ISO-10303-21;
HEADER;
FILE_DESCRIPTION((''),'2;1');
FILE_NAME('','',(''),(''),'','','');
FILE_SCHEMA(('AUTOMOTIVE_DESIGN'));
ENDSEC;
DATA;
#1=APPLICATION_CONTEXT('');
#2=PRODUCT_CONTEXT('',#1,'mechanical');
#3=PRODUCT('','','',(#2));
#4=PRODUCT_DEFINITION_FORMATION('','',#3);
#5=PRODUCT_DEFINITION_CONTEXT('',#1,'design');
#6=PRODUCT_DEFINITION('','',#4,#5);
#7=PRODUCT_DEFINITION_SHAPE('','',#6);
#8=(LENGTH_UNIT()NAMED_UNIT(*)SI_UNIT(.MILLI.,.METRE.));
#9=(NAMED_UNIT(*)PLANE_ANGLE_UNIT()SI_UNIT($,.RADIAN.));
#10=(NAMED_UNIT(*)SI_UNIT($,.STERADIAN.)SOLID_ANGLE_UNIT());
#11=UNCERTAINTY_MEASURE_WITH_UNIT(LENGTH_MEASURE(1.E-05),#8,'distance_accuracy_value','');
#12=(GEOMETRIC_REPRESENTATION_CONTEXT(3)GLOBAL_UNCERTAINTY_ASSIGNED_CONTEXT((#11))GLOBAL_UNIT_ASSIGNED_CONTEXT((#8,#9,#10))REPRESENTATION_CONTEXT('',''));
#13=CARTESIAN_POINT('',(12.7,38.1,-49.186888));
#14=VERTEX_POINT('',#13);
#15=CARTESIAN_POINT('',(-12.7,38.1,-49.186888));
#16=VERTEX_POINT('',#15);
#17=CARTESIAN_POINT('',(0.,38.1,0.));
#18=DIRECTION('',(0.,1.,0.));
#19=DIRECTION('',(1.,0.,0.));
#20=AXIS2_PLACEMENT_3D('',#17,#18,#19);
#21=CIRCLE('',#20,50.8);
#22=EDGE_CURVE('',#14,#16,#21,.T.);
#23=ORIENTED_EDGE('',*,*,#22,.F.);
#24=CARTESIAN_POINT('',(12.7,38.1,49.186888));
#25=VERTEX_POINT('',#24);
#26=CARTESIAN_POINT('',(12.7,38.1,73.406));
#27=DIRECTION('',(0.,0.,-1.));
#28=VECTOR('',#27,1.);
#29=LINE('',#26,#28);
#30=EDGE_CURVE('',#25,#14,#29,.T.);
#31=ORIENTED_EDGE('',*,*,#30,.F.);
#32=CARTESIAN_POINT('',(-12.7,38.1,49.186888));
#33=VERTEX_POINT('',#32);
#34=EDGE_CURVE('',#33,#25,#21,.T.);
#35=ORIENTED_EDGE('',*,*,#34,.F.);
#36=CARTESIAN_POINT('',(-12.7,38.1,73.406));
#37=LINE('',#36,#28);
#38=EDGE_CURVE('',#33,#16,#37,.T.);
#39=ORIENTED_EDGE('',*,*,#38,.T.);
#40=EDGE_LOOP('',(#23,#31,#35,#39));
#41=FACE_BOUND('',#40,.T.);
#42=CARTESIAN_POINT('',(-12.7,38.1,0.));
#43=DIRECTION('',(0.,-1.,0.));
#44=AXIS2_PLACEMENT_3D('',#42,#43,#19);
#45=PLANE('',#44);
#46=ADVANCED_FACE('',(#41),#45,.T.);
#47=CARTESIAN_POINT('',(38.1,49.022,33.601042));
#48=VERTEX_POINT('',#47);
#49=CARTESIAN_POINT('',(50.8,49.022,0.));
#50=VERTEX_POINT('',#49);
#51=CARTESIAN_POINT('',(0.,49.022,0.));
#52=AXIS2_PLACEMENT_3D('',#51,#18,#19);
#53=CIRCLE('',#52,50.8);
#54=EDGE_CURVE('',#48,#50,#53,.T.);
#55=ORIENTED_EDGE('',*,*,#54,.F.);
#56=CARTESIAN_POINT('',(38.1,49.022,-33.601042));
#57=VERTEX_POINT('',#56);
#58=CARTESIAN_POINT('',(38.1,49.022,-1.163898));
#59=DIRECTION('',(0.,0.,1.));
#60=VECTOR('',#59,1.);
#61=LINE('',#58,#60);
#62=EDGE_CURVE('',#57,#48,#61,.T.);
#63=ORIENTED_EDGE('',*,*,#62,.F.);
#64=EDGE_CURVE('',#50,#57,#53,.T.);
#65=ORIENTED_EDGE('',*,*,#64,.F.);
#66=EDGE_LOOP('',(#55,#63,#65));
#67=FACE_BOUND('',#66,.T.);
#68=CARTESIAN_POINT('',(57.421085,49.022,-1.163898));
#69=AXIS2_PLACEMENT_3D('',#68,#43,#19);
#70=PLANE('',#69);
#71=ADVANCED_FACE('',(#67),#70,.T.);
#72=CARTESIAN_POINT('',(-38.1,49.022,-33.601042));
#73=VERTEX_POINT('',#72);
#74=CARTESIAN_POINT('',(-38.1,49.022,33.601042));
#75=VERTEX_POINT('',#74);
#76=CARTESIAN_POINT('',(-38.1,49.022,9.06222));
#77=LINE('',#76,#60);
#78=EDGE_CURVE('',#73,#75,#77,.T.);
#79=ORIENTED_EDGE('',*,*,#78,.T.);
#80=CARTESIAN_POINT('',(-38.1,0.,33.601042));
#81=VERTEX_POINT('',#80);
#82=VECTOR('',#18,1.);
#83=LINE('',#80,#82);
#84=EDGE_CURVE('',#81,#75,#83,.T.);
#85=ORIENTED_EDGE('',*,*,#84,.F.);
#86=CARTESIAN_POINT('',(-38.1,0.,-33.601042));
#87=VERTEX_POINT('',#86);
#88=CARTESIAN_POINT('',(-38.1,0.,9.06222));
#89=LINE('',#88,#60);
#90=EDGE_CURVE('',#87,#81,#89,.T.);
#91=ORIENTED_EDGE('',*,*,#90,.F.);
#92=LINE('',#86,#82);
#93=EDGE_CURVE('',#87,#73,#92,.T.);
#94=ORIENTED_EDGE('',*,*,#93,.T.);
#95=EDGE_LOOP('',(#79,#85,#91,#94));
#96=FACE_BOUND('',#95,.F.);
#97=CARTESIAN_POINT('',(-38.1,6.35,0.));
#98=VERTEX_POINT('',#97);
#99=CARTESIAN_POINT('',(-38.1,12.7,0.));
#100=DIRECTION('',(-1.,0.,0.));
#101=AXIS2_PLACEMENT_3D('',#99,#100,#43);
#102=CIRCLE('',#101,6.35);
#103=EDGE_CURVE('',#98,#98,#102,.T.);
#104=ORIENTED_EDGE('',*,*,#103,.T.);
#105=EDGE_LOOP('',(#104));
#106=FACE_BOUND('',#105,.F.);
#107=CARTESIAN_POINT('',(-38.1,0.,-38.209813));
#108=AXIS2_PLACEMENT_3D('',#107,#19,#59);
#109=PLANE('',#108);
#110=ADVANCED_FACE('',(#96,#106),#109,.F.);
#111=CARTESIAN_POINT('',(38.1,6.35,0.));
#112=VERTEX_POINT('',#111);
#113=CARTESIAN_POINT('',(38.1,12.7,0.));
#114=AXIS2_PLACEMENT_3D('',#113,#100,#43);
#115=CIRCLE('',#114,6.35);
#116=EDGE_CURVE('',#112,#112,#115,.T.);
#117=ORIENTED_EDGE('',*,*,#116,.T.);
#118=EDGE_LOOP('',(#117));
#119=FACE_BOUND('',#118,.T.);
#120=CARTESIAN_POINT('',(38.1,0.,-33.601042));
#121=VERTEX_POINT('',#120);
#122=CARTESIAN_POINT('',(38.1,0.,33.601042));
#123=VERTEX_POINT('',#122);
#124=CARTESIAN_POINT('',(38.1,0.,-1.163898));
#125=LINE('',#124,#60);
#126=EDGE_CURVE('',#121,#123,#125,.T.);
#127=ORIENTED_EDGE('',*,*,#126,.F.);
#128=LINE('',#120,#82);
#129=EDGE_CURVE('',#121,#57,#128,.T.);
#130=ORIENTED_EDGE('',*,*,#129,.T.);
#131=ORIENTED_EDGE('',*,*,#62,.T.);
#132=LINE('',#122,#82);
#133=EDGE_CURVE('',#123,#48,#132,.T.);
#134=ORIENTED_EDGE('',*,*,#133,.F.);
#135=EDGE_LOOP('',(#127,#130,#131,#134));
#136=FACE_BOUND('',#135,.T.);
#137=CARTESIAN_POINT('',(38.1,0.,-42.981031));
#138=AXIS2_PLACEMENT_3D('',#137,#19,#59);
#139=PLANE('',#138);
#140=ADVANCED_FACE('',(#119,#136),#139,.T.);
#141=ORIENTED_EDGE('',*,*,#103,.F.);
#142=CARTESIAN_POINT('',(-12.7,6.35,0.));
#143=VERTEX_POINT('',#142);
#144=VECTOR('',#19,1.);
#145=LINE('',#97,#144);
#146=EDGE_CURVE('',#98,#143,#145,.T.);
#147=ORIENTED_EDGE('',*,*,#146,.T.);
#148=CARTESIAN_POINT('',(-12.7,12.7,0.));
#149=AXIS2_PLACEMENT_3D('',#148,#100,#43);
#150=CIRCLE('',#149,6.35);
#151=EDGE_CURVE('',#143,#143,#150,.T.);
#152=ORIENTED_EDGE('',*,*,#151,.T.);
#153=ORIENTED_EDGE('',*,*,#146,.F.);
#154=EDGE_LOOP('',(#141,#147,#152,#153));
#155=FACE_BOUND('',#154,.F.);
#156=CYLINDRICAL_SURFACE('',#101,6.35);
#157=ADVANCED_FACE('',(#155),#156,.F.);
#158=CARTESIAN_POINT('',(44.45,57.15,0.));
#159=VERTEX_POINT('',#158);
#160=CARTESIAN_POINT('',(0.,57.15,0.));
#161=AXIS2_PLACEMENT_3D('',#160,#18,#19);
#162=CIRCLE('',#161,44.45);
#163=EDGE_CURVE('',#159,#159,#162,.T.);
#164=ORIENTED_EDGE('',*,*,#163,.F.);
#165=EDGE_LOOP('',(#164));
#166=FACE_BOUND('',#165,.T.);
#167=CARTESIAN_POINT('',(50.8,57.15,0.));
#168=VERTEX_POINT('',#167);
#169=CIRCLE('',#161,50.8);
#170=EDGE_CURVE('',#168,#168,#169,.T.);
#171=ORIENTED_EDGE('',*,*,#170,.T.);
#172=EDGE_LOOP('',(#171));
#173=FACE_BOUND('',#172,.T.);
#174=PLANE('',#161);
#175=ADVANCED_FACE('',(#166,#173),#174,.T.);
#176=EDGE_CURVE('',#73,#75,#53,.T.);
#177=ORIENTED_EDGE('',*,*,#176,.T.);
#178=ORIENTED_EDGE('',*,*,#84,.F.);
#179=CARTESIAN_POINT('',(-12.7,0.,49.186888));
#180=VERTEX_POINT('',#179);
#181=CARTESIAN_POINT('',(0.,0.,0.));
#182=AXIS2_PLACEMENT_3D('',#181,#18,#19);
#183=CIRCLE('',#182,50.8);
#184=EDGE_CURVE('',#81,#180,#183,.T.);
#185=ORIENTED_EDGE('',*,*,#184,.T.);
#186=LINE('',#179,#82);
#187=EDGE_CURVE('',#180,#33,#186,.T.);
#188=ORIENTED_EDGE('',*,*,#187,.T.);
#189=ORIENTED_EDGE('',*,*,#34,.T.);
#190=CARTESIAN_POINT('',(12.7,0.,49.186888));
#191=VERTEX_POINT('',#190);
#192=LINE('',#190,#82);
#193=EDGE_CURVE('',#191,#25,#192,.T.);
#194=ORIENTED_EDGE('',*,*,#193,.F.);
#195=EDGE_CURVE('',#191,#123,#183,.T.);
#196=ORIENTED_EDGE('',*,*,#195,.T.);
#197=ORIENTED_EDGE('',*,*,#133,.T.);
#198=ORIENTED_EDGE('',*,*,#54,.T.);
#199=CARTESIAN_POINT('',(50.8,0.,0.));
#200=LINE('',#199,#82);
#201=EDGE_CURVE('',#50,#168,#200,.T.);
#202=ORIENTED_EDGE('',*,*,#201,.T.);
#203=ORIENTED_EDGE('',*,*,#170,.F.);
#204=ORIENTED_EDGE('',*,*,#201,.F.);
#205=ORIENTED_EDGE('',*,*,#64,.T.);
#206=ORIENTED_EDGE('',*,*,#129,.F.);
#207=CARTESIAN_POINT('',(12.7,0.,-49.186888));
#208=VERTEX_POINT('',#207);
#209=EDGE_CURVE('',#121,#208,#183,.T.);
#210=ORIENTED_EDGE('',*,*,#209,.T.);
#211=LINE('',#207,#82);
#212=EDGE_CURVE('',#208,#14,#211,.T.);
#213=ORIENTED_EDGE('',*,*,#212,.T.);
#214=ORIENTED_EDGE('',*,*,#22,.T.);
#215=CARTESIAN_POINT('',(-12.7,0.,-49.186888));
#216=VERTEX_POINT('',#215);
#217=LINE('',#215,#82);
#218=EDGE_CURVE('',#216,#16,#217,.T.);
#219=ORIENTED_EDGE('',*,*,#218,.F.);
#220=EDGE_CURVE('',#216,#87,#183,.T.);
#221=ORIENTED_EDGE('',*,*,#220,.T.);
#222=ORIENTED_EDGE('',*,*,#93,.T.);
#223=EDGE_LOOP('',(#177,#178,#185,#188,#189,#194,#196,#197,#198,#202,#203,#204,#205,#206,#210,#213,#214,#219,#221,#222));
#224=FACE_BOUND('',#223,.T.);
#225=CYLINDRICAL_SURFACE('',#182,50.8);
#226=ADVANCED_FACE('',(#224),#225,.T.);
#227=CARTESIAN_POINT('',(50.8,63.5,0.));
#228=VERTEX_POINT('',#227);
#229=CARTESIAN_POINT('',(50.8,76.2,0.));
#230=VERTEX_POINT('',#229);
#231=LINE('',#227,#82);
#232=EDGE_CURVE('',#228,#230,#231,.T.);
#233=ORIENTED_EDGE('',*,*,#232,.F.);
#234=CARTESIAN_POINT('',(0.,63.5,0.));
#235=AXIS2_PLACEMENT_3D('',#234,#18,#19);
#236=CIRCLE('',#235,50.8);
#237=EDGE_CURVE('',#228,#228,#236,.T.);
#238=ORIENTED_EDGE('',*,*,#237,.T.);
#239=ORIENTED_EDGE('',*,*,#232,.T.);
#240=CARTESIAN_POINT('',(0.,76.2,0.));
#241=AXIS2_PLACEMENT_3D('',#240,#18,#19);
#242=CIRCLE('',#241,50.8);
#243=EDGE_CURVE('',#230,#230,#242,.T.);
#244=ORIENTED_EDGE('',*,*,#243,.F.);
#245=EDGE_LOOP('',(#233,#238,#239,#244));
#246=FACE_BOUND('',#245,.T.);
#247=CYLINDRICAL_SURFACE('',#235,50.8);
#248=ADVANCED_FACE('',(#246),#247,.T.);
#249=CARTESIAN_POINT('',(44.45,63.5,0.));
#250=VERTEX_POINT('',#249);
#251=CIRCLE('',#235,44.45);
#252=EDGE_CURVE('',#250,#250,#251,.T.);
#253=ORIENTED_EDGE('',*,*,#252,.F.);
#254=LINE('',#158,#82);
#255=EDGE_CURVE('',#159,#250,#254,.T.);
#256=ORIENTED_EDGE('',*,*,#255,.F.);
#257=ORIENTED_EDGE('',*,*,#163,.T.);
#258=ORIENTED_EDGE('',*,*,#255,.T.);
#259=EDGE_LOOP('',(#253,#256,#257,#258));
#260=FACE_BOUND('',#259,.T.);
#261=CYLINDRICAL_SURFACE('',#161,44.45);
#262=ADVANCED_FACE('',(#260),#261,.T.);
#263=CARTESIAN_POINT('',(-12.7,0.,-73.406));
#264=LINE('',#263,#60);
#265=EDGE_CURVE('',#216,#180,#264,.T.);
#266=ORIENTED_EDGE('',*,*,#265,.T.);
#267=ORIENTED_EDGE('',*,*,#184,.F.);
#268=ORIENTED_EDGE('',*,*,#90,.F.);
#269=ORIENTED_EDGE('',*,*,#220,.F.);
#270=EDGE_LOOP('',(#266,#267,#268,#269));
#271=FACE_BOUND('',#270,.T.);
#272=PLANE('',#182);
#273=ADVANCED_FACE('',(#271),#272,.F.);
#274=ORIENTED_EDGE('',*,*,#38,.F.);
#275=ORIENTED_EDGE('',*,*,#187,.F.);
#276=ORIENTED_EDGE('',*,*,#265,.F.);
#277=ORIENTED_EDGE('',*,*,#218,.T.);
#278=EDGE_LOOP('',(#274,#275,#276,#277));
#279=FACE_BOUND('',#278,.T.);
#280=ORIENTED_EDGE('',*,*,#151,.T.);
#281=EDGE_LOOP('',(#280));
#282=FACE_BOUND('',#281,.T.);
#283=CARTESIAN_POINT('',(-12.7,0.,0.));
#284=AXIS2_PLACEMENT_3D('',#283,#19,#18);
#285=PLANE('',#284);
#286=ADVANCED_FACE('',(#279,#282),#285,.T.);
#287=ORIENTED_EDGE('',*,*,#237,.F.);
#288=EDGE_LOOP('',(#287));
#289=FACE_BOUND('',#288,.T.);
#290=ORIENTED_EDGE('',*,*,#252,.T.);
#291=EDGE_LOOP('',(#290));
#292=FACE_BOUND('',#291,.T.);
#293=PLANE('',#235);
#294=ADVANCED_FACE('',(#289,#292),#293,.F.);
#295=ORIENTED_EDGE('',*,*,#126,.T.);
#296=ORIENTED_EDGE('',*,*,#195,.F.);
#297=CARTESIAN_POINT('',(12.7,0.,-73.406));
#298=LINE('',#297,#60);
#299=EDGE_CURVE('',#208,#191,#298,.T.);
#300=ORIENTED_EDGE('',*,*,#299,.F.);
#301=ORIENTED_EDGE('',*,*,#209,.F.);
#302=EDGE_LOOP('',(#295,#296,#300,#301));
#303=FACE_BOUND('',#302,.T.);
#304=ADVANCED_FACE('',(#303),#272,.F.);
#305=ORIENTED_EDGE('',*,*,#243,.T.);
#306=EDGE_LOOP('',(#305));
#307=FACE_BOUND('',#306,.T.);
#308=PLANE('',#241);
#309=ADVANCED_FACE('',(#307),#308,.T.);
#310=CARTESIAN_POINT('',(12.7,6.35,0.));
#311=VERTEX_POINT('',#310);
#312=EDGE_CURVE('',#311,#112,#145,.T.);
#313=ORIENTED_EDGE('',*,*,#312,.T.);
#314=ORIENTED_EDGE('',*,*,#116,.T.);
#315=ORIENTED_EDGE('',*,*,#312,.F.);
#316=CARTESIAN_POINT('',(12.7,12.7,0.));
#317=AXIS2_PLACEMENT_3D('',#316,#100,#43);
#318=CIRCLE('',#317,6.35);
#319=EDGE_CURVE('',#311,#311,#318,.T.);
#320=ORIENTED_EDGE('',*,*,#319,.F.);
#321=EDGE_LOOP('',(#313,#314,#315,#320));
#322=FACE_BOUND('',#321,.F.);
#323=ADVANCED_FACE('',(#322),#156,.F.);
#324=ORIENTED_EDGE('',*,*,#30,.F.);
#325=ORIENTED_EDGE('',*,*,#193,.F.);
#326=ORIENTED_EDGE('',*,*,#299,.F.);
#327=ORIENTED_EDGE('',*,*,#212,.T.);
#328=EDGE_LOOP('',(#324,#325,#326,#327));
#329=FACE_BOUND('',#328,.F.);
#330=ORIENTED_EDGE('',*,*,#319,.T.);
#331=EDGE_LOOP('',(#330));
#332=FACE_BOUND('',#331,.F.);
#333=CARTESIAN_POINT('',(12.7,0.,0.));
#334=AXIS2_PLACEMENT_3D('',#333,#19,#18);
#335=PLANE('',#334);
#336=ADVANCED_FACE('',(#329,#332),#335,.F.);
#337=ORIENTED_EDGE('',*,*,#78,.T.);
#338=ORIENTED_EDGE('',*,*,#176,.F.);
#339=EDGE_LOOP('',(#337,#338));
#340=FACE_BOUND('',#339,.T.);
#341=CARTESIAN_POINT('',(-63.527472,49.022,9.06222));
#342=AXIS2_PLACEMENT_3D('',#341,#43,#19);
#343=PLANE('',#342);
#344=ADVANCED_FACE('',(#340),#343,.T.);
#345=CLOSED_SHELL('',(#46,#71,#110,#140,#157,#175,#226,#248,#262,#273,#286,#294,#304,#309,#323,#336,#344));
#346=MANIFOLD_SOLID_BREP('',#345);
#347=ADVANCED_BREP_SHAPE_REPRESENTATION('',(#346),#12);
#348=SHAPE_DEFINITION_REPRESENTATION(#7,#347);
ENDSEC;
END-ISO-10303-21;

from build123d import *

# Parameters (mm, degrees)
F2_W     = 25.4
F2_H     = 38.1
F3_DEPTH = 73.406
F4_W     = 50.8549439785
F4_H     = 94.5440666826
F4_W_2   = 38.6421700465
F4_H_2   = 83.6342661441
F5_DEPTH = 49.022
F6_R     = 6.35
F7_DEPTH = 140.462


with BuildPart() as f1:
    # F0 (on Top) → F1 (revolve)
    with BuildSketch(Plane.XY):
        Polygon((0, 76.2), (0, 0), (50.8, 0), (50.8, 57.15), (44.45, 57.15), (44.45, 63.5), (50.8, 63.5), (50.8, 76.2), align=None)
    revolve(axis=Axis((0, 40.4900377447, 0), (0, 1, 0)))

    # F2 (on Top) → F3 (cut, symmetric)
    with BuildSketch(Plane.XY):
        with Locations((0, 19.05)):
            Rectangle(F2_W, F2_H)
    extrude(amount=F3_DEPTH, both=True, mode=Mode.SUBTRACT)

    # F4 (on face) → F5 (cut)
    with BuildSketch(Plane.XZ):
        with Locations((-63.5274719893, 9.0622203734)):
            Rectangle(F4_W, F4_H)
        with Locations((57.4210850232, -1.1638980359)):
            Rectangle(F4_W_2, F4_H_2)
    extrude(amount=-F5_DEPTH, mode=Mode.SUBTRACT)

    # F6 (on face) → F7 (cut)
    with BuildSketch(Plane(origin=(-38.1, 0, 0), x_dir=(0, -1, 0), z_dir=(-1, 0, 0))):
        with Locations((-12.7, 0)):
            Circle(F6_R)
    extrude(amount=-F7_DEPTH, mode=Mode.SUBTRACT)


solid = f1.part
